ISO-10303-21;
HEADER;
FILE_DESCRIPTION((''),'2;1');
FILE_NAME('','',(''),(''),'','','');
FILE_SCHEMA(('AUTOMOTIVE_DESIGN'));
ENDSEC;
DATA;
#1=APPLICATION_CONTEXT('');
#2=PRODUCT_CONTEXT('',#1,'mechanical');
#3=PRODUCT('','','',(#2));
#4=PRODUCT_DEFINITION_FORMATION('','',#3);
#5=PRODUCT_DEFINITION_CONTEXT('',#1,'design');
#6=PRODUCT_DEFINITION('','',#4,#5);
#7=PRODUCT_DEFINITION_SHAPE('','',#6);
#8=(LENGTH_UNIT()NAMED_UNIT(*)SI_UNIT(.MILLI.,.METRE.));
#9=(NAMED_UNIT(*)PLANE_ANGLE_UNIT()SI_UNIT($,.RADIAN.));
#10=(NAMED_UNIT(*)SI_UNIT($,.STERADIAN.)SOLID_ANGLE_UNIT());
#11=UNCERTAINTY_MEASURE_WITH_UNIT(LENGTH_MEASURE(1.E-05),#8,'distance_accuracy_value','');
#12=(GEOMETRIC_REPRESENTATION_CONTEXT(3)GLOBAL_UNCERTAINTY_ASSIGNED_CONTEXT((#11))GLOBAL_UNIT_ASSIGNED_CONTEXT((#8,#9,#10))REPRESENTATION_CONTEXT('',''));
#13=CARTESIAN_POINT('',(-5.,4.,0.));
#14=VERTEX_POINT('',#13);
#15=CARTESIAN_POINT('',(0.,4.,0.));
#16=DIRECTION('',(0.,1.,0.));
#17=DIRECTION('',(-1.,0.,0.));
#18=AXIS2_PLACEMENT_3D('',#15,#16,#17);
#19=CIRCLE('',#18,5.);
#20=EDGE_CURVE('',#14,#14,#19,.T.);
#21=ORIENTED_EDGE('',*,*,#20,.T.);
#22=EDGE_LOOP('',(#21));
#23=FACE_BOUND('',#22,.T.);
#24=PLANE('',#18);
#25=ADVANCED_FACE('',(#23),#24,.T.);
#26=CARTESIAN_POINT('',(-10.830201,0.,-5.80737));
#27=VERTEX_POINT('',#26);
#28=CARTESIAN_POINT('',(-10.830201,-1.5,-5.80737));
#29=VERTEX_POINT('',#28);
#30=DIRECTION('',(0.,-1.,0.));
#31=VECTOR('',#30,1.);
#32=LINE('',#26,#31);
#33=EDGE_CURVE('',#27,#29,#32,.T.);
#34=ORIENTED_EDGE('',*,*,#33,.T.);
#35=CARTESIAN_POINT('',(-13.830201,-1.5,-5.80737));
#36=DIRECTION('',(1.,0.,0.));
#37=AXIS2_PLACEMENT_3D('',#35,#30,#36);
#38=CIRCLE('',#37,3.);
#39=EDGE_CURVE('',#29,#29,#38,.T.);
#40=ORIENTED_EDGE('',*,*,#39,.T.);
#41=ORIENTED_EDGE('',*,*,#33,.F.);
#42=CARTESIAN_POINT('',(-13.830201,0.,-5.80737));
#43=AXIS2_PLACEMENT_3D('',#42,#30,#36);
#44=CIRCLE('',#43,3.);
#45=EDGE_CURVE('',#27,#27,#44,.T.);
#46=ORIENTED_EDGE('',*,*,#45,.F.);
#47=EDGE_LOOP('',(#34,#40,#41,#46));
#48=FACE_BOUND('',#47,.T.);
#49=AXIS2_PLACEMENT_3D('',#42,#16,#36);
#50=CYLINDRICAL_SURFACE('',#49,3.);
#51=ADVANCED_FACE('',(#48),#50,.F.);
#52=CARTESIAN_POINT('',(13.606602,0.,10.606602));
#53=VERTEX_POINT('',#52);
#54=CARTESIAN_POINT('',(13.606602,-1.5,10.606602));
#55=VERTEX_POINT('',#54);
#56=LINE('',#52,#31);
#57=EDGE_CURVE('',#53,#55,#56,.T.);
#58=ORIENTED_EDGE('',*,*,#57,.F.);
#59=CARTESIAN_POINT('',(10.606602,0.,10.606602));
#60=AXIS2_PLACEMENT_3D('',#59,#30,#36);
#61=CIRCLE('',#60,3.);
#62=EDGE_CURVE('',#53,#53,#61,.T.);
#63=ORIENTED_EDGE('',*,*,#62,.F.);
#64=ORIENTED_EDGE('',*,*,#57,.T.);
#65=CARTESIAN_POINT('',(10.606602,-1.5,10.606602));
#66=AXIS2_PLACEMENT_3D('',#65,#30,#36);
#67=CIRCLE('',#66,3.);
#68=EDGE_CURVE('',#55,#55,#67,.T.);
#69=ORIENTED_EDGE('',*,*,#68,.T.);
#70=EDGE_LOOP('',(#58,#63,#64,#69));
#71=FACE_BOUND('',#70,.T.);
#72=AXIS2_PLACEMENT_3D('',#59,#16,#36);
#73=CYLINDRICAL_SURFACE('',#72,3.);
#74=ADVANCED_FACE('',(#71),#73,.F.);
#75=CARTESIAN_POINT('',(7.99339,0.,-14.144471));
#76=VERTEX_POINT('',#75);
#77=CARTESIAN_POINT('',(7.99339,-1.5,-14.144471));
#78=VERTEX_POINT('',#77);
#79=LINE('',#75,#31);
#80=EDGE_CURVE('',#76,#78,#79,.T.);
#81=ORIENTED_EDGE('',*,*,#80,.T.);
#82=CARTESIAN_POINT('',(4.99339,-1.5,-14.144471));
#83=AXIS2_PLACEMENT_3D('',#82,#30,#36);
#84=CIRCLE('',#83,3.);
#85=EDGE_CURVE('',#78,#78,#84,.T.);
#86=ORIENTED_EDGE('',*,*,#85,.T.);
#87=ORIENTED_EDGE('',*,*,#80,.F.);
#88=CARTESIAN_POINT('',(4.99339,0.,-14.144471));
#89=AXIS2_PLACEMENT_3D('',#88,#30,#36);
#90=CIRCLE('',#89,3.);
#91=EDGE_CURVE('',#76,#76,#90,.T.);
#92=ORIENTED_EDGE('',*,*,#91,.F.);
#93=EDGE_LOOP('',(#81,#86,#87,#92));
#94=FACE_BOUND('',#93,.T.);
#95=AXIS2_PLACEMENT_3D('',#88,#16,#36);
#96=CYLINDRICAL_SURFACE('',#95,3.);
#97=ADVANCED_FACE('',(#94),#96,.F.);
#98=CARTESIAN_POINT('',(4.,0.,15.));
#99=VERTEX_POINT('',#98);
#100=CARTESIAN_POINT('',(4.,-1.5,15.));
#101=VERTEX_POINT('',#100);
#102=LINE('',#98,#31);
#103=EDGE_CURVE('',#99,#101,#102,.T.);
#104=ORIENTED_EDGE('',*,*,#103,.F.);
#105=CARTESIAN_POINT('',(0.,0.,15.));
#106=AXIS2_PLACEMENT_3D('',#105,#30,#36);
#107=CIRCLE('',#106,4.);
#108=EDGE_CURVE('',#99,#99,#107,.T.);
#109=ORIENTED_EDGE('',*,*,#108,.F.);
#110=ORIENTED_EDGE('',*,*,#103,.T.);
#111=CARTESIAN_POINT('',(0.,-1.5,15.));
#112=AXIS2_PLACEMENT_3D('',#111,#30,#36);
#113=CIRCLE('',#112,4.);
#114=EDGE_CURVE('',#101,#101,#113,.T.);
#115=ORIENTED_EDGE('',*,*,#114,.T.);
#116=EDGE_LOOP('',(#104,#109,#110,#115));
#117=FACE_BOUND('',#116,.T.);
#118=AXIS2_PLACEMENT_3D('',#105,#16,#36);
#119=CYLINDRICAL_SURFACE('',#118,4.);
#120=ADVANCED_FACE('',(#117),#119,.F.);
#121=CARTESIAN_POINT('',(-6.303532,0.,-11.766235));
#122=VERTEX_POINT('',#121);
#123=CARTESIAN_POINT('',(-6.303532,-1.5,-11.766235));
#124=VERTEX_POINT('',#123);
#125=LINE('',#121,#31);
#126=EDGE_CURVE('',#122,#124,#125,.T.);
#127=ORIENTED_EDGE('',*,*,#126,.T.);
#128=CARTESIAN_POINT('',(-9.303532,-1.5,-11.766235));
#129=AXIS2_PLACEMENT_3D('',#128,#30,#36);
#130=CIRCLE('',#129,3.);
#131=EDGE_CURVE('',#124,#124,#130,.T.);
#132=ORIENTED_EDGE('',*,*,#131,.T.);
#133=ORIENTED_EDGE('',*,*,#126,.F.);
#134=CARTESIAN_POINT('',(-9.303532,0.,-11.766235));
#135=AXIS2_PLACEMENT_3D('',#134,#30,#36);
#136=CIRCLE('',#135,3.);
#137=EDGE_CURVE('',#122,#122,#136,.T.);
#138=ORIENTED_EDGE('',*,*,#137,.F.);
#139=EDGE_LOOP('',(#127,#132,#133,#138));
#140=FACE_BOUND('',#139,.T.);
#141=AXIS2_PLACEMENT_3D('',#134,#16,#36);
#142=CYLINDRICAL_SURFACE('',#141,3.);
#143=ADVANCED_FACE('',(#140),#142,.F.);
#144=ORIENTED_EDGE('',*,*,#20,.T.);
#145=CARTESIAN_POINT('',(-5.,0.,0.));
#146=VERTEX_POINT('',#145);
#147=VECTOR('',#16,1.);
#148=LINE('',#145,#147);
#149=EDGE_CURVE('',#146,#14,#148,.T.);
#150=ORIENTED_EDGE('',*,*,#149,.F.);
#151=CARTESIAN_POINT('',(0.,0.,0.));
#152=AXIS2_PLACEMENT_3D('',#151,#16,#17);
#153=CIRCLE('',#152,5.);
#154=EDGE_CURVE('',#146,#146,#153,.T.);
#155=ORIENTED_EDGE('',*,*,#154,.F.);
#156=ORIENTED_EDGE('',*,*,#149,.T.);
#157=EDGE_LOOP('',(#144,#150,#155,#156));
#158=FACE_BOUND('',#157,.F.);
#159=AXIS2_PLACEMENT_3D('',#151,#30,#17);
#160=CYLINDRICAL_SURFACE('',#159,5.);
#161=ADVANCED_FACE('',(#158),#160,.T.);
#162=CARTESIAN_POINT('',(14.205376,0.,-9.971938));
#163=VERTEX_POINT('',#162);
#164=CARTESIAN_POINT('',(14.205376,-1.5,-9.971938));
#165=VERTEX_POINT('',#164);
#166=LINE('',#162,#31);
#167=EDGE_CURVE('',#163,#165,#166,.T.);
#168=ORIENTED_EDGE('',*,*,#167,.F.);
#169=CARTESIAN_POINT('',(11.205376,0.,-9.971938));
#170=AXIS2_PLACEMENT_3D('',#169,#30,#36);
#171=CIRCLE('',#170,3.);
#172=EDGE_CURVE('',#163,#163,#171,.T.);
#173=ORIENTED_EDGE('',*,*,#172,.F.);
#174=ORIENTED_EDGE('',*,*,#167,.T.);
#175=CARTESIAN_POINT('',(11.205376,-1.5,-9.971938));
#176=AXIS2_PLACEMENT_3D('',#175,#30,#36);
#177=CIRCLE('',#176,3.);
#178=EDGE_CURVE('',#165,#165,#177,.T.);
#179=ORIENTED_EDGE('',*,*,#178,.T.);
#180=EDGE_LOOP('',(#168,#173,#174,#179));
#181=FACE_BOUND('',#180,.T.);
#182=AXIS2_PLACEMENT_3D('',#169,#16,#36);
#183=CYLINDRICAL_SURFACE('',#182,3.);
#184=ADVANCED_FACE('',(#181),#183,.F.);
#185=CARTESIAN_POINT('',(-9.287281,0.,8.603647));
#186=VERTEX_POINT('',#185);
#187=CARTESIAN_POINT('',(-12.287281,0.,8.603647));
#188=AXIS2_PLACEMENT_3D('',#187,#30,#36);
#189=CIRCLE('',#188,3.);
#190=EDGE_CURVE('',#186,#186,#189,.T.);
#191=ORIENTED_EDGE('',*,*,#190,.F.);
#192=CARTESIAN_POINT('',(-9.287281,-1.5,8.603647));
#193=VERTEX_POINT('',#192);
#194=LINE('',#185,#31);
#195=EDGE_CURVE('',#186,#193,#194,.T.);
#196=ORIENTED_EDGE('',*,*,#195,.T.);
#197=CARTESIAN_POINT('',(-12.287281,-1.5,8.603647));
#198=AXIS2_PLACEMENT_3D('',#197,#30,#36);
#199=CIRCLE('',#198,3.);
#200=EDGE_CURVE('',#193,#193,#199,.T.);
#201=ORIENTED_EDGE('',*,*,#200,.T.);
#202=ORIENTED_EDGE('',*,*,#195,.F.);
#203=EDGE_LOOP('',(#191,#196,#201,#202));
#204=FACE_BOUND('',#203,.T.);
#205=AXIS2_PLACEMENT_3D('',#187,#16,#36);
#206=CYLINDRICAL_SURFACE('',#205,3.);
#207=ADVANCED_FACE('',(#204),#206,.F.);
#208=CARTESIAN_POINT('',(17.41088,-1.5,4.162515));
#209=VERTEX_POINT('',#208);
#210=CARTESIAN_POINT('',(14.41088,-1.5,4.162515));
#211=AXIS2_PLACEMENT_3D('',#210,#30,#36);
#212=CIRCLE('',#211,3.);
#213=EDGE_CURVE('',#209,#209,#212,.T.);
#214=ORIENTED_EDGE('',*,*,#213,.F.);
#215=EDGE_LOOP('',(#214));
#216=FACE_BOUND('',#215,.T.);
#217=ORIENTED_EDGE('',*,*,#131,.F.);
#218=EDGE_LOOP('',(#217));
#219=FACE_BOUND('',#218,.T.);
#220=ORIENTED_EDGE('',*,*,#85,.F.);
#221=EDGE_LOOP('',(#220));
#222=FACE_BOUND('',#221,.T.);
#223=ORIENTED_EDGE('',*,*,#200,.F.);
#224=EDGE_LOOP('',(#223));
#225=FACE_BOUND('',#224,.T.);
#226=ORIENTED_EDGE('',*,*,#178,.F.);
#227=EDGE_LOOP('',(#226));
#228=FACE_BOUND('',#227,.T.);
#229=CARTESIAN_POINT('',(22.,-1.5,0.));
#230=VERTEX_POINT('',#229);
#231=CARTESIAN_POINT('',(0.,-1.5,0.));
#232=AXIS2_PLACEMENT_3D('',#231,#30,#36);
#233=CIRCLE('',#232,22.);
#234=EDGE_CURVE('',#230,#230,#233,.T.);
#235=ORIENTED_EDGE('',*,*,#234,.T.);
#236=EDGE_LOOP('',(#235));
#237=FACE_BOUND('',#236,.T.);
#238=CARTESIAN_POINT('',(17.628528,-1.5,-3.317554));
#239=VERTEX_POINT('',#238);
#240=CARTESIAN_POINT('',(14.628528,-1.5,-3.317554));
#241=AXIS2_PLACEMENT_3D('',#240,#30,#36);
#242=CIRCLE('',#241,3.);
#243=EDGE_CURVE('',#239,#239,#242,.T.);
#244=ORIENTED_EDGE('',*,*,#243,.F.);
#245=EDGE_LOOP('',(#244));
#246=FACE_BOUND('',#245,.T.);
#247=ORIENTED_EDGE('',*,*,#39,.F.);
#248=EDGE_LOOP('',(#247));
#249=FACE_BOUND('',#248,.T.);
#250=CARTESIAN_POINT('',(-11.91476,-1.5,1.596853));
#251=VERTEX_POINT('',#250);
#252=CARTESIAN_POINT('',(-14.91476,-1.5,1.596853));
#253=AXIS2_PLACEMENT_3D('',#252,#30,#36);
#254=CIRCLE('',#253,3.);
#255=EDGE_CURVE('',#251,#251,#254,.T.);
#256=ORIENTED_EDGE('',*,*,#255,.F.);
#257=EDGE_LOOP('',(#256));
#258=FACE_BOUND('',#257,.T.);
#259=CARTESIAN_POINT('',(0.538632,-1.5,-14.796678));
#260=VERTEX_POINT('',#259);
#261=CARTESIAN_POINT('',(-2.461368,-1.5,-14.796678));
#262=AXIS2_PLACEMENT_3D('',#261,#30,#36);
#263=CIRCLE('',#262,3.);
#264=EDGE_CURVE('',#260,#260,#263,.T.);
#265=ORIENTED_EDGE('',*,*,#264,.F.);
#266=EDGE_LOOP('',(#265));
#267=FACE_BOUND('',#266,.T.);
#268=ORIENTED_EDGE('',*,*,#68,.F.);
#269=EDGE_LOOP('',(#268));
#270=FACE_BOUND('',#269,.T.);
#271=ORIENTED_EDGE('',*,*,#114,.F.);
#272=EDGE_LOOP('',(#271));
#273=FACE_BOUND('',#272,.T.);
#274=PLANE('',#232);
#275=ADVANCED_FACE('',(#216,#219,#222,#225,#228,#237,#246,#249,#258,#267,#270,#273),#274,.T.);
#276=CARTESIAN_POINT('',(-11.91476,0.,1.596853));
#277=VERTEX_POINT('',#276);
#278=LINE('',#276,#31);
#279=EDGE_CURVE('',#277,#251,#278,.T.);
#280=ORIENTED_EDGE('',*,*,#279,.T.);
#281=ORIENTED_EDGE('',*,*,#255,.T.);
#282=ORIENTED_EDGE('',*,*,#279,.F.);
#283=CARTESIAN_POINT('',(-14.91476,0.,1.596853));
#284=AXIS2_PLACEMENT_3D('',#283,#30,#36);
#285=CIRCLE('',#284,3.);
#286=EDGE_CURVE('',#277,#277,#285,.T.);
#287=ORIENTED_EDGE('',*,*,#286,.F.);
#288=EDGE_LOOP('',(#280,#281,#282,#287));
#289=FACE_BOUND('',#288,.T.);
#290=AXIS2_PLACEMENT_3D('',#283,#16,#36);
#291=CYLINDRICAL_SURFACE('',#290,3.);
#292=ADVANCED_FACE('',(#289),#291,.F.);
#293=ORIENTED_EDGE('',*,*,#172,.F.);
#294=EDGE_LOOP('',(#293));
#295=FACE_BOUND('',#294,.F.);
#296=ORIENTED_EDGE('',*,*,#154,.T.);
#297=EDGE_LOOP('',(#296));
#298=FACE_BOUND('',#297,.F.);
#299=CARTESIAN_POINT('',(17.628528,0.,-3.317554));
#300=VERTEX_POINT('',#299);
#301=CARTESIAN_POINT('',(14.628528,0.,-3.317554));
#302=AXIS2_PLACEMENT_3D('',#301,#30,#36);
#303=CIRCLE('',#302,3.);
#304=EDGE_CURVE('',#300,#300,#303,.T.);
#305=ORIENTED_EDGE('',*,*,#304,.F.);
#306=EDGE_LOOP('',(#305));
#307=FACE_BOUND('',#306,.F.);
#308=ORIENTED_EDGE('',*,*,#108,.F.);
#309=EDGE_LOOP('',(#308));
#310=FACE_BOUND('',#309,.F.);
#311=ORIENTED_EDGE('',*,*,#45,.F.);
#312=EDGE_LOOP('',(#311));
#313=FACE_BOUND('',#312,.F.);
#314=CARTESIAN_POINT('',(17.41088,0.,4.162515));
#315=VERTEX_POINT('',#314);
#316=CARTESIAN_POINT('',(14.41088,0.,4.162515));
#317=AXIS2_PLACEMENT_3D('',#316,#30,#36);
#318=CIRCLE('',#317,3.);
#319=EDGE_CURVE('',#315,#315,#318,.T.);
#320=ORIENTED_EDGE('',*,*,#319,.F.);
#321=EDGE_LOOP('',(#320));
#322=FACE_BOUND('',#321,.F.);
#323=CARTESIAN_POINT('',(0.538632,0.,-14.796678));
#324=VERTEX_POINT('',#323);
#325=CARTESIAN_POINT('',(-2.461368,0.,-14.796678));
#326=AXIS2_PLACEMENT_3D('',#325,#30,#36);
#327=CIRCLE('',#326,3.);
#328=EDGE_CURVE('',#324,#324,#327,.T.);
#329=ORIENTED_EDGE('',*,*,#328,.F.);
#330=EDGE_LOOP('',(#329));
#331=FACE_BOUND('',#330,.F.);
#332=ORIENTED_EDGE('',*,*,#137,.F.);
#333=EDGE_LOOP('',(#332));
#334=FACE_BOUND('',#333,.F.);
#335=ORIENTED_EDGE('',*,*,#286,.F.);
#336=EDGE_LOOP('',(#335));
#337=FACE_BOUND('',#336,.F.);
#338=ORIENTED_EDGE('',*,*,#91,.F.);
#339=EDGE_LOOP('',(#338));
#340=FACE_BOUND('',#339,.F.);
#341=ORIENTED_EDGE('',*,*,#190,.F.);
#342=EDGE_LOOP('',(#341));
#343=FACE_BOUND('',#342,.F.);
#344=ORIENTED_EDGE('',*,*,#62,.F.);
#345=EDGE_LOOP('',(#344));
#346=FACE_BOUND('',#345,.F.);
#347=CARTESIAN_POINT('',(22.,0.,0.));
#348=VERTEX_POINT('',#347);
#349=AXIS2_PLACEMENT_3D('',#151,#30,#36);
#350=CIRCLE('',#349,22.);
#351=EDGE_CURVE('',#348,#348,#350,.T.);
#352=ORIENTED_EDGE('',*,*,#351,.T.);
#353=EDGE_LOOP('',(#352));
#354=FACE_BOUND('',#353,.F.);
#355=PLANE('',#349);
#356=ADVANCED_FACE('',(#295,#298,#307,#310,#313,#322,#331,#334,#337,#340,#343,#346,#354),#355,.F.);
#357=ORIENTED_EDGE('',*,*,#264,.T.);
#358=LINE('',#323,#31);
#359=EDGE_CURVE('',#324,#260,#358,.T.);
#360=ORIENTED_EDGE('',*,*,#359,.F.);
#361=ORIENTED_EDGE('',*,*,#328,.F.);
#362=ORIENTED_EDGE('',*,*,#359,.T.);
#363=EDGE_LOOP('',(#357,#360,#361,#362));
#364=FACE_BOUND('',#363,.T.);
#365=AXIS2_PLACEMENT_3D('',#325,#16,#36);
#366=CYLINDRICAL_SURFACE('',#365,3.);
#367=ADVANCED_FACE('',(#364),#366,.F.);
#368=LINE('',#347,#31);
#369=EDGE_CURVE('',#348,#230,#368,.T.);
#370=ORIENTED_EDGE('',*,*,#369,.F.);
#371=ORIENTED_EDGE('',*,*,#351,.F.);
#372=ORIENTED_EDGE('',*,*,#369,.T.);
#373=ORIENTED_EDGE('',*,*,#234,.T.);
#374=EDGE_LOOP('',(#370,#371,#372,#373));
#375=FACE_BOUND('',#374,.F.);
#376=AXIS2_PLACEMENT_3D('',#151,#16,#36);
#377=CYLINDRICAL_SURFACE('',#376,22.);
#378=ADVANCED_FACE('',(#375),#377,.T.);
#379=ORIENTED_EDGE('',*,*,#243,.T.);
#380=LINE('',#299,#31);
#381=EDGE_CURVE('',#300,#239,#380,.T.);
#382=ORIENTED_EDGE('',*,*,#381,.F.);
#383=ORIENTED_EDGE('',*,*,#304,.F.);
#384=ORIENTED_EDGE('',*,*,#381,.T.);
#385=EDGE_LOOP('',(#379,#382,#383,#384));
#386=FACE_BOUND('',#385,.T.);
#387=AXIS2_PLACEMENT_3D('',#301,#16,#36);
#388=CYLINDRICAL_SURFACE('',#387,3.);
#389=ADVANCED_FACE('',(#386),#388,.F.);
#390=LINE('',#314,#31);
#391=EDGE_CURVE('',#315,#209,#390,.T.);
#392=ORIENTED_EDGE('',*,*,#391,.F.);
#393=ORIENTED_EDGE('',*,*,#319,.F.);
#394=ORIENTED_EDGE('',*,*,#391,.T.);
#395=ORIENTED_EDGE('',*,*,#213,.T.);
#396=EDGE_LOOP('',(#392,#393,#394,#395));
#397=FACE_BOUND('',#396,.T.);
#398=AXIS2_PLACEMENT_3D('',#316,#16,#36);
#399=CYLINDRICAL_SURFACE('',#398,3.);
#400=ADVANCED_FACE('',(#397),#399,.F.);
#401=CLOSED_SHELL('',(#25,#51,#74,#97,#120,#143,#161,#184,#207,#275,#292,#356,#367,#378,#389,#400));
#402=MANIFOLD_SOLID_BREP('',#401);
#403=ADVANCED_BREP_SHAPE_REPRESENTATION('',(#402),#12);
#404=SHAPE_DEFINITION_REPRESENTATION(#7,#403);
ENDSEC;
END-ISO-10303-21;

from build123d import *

# Parameters (mm, degrees)
F0_R     = 22
F0_R_2   = 3
F0_R_3   = 4
F1_DEPTH = 1.5
F2_R     = 5
F3_DEPTH = 4


with BuildPart() as f1:
    # F0 (on Front) → F1 (new body)
    with BuildSketch(Plane.XZ):
        Circle(F0_R)
        with Locations((-9.303532, -11.766235)):
            Circle(F0_R_2, mode=Mode.SUBTRACT)
        with Locations((-2.461368, -14.796678)):
            Circle(F0_R_2, mode=Mode.SUBTRACT)
        with Locations((-13.830201, -5.80737)):
            Circle(F0_R_2, mode=Mode.SUBTRACT)
        with Locations((4.99339, -14.144471)):
            Circle(F0_R_2, mode=Mode.SUBTRACT)
        with Locations((11.205376, -9.971938)):
            Circle(F0_R_2, mode=Mode.SUBTRACT)
        with Locations((14.628528, -3.317554)):
            Circle(F0_R_2, mode=Mode.SUBTRACT)
        with Locations((-14.91476, 1.596853)):
            Circle(F0_R_2, mode=Mode.SUBTRACT)
        with Locations((-12.287281, 8.603647)):
            Circle(F0_R_2, mode=Mode.SUBTRACT)
        with Locations((10.606602, 10.606602)):
            Circle(F0_R_2, mode=Mode.SUBTRACT)
        with Locations((14.41088, 4.162515)):
            Circle(F0_R_2, mode=Mode.SUBTRACT)
        with Locations((0, 15)):
            Circle(F0_R_3, mode=Mode.SUBTRACT)
    extrude(amount=F1_DEPTH)

    # F2 (on face) → F3 (join)
    with BuildSketch(Plane(origin=(0, 0, 0), x_dir=(-1, 0, 0), z_dir=(0, 1, 0))):
        Circle(F2_R)
    extrude(amount=F3_DEPTH)


solid = f1.part
